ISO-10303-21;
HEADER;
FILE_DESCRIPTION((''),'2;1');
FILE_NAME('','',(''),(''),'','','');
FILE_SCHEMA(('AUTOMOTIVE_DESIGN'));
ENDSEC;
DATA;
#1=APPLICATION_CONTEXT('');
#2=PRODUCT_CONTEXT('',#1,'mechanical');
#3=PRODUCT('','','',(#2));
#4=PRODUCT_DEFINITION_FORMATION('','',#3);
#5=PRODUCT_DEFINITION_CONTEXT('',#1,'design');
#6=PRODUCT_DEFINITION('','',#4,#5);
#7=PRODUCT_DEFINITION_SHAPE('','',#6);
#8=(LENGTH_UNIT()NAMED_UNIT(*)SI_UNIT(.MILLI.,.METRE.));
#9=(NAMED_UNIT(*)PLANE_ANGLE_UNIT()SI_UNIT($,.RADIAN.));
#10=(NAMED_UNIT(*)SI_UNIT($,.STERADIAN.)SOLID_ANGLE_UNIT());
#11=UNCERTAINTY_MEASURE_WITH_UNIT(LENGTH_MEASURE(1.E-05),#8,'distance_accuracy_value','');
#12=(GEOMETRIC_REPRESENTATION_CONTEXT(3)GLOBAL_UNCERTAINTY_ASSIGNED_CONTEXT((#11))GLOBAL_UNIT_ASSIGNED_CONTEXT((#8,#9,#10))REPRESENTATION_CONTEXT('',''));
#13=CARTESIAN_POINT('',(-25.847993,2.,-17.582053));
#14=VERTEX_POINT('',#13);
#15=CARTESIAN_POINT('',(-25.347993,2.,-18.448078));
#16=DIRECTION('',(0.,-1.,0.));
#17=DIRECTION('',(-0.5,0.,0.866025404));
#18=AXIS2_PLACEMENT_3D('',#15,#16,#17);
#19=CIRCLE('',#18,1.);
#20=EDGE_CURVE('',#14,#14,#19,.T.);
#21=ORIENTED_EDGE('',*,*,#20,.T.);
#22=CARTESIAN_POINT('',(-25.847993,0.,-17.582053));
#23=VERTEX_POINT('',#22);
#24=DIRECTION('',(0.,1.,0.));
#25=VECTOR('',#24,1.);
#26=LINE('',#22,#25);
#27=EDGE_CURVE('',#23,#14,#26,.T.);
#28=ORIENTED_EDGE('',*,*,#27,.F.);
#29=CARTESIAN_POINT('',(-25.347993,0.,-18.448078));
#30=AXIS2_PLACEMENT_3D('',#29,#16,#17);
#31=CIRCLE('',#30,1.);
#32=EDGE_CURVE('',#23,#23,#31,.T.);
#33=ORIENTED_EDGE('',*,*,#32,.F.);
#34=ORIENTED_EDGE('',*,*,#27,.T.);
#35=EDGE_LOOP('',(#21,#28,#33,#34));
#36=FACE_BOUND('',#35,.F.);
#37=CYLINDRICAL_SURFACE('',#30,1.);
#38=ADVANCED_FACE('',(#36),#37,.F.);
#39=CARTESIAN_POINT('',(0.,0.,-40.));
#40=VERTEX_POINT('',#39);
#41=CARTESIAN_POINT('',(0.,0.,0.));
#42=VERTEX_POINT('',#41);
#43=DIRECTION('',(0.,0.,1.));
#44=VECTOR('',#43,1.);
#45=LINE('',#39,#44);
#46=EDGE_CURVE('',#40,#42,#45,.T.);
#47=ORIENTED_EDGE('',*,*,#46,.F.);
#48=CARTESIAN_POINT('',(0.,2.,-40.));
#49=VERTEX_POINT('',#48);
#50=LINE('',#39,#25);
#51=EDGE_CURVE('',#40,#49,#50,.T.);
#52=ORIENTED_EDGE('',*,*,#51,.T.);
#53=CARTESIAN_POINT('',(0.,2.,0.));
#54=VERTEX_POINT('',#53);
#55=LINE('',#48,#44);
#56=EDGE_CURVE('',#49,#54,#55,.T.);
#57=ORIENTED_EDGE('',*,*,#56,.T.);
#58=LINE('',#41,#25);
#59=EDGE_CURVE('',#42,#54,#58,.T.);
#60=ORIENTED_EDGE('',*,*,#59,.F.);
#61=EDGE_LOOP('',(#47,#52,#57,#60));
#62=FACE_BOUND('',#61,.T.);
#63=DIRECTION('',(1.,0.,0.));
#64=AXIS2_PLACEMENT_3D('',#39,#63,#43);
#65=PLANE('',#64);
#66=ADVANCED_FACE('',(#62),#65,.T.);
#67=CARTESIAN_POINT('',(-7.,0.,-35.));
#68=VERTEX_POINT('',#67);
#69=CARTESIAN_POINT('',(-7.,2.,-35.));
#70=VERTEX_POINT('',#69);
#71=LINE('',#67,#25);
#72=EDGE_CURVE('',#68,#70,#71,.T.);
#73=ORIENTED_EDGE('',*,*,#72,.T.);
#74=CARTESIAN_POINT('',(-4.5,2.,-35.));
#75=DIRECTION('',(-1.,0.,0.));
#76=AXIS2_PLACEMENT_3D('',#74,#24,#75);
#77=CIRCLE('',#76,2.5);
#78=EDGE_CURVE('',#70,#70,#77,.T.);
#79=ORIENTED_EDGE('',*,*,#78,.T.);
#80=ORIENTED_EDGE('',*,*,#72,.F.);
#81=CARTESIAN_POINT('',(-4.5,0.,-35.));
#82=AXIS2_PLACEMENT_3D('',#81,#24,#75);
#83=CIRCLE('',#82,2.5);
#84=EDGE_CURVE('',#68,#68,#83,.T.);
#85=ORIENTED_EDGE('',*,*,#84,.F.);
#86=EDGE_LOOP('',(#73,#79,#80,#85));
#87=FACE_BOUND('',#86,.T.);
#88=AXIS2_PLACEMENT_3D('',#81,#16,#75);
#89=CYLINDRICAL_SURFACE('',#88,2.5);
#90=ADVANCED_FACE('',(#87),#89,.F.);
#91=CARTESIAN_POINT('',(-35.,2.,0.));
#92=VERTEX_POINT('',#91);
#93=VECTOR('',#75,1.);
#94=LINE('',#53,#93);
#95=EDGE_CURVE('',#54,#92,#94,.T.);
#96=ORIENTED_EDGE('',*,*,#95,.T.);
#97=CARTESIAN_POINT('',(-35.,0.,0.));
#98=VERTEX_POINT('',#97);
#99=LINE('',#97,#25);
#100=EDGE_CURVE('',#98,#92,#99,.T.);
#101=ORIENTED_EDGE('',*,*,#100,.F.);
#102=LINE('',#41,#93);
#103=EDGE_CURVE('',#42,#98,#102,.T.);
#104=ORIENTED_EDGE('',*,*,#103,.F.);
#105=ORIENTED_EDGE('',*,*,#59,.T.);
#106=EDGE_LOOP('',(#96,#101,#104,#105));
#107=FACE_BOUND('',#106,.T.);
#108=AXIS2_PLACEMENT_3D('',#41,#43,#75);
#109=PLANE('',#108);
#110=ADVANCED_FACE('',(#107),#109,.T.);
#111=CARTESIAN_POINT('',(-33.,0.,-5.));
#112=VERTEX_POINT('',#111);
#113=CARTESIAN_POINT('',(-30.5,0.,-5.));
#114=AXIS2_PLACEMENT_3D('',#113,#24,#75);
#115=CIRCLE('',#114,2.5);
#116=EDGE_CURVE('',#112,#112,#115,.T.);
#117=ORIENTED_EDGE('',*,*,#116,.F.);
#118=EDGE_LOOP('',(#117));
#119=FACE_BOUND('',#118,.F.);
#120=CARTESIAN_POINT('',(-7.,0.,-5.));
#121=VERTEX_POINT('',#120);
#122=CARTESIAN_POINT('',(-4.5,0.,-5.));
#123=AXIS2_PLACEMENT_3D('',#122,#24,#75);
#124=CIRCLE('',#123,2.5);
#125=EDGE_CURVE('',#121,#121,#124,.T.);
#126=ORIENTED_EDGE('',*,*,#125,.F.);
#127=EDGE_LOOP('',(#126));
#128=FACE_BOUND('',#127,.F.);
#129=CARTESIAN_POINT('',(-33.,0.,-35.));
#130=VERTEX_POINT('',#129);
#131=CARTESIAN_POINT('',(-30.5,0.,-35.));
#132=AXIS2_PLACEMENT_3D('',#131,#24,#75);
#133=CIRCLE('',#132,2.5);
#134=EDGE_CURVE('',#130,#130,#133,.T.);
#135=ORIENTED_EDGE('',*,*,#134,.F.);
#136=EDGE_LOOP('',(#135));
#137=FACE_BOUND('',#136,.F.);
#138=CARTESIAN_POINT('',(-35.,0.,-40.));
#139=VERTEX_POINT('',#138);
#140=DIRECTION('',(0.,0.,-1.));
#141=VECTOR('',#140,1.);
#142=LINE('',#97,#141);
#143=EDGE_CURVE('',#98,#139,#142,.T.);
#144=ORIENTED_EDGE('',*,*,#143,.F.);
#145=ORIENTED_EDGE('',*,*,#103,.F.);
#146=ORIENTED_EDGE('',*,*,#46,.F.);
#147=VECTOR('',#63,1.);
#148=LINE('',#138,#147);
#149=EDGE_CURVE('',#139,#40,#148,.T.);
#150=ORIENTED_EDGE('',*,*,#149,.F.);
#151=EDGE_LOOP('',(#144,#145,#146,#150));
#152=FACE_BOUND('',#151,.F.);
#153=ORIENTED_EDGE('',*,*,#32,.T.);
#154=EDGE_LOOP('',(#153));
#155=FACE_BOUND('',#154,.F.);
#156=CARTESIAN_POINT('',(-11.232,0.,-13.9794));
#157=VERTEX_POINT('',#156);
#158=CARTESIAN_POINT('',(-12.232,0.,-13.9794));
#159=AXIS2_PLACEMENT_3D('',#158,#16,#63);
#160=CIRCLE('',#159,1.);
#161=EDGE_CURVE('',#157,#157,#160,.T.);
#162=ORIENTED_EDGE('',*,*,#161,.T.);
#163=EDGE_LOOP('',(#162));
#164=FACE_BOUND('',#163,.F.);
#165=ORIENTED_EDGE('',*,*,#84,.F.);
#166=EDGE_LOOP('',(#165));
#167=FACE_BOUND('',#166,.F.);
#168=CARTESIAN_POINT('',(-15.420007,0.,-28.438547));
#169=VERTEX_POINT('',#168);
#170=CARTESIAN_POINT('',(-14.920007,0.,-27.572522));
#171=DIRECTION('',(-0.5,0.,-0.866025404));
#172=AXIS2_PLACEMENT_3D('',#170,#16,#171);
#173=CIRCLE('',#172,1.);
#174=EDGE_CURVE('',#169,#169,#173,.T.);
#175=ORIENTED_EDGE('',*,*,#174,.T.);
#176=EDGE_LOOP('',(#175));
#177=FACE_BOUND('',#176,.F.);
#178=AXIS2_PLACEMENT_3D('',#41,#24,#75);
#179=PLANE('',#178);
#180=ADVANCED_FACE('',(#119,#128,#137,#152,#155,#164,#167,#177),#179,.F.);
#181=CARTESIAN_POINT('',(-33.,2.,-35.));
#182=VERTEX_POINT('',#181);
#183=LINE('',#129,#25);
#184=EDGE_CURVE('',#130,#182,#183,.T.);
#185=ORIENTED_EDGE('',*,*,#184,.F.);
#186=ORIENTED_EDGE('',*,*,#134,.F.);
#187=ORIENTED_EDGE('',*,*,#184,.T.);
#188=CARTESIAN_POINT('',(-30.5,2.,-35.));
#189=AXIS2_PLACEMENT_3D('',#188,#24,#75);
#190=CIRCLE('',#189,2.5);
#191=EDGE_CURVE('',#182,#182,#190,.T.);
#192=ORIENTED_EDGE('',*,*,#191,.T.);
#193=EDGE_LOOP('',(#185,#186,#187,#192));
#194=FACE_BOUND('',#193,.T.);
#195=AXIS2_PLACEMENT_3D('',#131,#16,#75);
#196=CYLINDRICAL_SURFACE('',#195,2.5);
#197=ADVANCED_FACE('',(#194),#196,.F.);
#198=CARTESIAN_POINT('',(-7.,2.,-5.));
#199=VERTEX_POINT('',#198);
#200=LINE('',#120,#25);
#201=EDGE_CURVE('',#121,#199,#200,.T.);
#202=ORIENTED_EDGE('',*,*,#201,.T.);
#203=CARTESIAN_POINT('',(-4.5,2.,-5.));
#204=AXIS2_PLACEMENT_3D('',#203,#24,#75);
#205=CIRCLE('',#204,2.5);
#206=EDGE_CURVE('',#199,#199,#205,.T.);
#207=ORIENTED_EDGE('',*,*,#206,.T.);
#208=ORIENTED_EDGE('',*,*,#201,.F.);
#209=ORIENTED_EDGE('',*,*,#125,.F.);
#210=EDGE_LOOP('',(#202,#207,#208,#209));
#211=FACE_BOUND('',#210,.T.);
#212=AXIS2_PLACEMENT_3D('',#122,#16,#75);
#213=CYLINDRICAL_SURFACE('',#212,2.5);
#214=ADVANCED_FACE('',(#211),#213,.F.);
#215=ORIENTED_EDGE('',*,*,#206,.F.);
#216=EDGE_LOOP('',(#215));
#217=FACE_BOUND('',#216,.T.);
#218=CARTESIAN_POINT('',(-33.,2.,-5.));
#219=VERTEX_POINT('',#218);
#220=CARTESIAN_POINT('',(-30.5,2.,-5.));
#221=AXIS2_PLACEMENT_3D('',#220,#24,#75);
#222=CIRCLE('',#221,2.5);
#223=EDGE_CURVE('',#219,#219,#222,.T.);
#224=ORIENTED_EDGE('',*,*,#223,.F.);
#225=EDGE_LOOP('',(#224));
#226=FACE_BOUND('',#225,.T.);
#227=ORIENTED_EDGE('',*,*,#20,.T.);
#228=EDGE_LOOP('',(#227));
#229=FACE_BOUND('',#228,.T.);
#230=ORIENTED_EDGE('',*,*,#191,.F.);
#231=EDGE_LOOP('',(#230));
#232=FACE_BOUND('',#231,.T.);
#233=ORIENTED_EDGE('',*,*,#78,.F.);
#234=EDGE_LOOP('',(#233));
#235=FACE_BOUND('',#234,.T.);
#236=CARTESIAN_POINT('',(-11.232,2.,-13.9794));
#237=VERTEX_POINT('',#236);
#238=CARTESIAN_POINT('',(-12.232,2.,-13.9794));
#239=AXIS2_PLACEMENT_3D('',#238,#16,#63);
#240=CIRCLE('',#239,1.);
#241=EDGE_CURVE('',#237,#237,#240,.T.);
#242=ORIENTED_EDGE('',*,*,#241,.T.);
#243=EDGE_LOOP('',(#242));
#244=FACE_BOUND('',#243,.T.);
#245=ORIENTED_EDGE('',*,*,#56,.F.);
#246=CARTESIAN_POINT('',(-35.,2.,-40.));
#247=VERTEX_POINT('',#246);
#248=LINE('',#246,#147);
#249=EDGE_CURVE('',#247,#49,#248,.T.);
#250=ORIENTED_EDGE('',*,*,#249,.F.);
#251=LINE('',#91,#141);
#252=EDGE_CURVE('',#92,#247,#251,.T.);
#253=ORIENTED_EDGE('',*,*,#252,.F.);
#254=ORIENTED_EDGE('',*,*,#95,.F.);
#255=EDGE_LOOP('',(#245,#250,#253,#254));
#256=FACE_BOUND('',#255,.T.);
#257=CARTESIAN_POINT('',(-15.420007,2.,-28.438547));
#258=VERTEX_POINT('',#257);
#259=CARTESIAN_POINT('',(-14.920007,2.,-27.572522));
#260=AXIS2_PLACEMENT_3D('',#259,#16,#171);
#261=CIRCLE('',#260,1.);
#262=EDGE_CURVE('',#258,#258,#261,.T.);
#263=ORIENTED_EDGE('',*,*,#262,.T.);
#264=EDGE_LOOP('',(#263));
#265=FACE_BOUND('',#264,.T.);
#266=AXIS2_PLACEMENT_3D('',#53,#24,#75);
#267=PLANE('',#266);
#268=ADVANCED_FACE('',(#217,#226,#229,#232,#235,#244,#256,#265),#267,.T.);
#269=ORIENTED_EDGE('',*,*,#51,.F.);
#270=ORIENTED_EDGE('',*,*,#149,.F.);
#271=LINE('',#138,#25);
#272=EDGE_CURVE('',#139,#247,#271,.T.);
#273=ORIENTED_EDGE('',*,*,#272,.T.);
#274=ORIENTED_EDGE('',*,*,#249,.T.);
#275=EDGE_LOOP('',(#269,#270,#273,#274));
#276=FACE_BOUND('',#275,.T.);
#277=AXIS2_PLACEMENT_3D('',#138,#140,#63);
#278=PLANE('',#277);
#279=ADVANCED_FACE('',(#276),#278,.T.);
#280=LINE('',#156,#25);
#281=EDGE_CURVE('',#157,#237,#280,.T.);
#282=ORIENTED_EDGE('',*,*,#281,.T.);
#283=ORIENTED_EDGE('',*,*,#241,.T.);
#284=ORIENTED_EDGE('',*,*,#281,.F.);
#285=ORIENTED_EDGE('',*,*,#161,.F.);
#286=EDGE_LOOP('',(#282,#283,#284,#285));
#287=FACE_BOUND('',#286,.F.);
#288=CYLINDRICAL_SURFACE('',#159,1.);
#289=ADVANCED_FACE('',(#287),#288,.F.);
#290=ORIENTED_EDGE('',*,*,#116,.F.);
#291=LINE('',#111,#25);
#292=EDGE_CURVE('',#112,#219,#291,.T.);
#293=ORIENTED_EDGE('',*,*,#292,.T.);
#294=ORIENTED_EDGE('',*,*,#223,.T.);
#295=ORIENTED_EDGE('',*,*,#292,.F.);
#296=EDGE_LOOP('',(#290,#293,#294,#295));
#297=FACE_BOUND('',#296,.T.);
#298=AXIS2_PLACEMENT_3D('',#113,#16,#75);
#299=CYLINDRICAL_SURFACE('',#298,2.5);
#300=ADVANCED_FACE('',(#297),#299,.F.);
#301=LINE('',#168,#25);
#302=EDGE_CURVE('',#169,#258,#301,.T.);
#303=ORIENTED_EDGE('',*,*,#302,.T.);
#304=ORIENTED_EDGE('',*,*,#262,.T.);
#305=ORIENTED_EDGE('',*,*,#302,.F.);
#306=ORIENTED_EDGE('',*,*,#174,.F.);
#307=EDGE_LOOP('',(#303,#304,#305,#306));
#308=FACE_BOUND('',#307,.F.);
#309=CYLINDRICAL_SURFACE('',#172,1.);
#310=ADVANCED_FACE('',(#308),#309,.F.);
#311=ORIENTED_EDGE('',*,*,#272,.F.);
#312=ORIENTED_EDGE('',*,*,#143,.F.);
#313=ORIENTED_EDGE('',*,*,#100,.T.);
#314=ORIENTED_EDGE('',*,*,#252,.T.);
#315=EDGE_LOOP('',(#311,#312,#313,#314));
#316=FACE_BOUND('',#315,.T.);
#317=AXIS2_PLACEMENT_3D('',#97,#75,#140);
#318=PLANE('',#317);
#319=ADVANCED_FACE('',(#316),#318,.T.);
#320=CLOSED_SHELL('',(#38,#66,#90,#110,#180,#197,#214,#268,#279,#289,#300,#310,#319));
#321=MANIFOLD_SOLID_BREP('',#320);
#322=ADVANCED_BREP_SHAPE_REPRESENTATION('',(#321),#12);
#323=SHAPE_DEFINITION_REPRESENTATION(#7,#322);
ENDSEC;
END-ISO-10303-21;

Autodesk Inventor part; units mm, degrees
ref_plane "YZ Plane" through (0, 0, 0) normal (1, 0, 0) x (0, 1, 0)
ref_plane "XZ Plane" through (0, 0, 0) normal (0, 1, 0) x (-1, 0, 0)
ref_plane "XY Plane" through (0, 0, 0) normal (0, 0, 1) x (1, 0, 0)
sketch "Sketch1" plane through (0, 0, 0) normal (0, 1, 0) x (-1, 0, 0)
  line L0 (0, 0) -> (35, 0)
  line L1 (35, 0) -> (35, -40)
  line L2 (35, -40) -> (0, -40)
  line L3 (0, -40) -> (0, 0)
  line L4 (35, -40) -> (0, 0) construction
  line L5 (35, 0) -> (0, -40) construction
  line L6 (4.5, -5) -> (30.5, -5) construction
  line L7 (30.5, -5) -> (30.5, -35) construction
  line L8 (30.5, -35) -> (4.5, -35) construction
  line L9 (4.5, -35) -> (4.5, -5) construction
  line L10 (4.5, -5) -> (30.5, -35) construction
  line L11 (30.5, -5) -> (4.5, -35) construction
  circle A0 centre (30.5, -5) radius 2.5
  circle A1 centre (30.5, -35) radius 2.5
  circle A2 centre (4.5, -35) radius 2.5
  circle A3 centre (4.5, -5) radius 2.5
  point P0 (17.5, -20)
  dimension "d0" = 35
  dimension "d1" = 40
  dimension "d2" = 26
  dimension "d3" = 30
  dimension "d4" = 5
extrude "Extrusion1" add sketch "Sketch1" along normal blind 2
sketch "Sketch3" plane through (0, 0, 0) normal (0, -1, 0) x (1, 0, 0)
  line L0 (-35, 0) -> (0, -40) construction
  line L1 (0, 0) -> (-35, -40) construction
  circle A0 centre (-12.232, -13.9794) radius 1
  point P0 (-17.5, -20)
  point P1 (-17.5, -20)
  dimension "d19" = 2
  dimension "d20" = 8
extrude "Extrusion2" cut sketch "Sketch3" against normal blind 10
pattern_circular "Circular Pattern1" count 3 over 360 about axis through (-17.5, 0, -20) along (0, -1, 0) of "Extrusion2"
properties part number "carbon_bump_gimbal"
